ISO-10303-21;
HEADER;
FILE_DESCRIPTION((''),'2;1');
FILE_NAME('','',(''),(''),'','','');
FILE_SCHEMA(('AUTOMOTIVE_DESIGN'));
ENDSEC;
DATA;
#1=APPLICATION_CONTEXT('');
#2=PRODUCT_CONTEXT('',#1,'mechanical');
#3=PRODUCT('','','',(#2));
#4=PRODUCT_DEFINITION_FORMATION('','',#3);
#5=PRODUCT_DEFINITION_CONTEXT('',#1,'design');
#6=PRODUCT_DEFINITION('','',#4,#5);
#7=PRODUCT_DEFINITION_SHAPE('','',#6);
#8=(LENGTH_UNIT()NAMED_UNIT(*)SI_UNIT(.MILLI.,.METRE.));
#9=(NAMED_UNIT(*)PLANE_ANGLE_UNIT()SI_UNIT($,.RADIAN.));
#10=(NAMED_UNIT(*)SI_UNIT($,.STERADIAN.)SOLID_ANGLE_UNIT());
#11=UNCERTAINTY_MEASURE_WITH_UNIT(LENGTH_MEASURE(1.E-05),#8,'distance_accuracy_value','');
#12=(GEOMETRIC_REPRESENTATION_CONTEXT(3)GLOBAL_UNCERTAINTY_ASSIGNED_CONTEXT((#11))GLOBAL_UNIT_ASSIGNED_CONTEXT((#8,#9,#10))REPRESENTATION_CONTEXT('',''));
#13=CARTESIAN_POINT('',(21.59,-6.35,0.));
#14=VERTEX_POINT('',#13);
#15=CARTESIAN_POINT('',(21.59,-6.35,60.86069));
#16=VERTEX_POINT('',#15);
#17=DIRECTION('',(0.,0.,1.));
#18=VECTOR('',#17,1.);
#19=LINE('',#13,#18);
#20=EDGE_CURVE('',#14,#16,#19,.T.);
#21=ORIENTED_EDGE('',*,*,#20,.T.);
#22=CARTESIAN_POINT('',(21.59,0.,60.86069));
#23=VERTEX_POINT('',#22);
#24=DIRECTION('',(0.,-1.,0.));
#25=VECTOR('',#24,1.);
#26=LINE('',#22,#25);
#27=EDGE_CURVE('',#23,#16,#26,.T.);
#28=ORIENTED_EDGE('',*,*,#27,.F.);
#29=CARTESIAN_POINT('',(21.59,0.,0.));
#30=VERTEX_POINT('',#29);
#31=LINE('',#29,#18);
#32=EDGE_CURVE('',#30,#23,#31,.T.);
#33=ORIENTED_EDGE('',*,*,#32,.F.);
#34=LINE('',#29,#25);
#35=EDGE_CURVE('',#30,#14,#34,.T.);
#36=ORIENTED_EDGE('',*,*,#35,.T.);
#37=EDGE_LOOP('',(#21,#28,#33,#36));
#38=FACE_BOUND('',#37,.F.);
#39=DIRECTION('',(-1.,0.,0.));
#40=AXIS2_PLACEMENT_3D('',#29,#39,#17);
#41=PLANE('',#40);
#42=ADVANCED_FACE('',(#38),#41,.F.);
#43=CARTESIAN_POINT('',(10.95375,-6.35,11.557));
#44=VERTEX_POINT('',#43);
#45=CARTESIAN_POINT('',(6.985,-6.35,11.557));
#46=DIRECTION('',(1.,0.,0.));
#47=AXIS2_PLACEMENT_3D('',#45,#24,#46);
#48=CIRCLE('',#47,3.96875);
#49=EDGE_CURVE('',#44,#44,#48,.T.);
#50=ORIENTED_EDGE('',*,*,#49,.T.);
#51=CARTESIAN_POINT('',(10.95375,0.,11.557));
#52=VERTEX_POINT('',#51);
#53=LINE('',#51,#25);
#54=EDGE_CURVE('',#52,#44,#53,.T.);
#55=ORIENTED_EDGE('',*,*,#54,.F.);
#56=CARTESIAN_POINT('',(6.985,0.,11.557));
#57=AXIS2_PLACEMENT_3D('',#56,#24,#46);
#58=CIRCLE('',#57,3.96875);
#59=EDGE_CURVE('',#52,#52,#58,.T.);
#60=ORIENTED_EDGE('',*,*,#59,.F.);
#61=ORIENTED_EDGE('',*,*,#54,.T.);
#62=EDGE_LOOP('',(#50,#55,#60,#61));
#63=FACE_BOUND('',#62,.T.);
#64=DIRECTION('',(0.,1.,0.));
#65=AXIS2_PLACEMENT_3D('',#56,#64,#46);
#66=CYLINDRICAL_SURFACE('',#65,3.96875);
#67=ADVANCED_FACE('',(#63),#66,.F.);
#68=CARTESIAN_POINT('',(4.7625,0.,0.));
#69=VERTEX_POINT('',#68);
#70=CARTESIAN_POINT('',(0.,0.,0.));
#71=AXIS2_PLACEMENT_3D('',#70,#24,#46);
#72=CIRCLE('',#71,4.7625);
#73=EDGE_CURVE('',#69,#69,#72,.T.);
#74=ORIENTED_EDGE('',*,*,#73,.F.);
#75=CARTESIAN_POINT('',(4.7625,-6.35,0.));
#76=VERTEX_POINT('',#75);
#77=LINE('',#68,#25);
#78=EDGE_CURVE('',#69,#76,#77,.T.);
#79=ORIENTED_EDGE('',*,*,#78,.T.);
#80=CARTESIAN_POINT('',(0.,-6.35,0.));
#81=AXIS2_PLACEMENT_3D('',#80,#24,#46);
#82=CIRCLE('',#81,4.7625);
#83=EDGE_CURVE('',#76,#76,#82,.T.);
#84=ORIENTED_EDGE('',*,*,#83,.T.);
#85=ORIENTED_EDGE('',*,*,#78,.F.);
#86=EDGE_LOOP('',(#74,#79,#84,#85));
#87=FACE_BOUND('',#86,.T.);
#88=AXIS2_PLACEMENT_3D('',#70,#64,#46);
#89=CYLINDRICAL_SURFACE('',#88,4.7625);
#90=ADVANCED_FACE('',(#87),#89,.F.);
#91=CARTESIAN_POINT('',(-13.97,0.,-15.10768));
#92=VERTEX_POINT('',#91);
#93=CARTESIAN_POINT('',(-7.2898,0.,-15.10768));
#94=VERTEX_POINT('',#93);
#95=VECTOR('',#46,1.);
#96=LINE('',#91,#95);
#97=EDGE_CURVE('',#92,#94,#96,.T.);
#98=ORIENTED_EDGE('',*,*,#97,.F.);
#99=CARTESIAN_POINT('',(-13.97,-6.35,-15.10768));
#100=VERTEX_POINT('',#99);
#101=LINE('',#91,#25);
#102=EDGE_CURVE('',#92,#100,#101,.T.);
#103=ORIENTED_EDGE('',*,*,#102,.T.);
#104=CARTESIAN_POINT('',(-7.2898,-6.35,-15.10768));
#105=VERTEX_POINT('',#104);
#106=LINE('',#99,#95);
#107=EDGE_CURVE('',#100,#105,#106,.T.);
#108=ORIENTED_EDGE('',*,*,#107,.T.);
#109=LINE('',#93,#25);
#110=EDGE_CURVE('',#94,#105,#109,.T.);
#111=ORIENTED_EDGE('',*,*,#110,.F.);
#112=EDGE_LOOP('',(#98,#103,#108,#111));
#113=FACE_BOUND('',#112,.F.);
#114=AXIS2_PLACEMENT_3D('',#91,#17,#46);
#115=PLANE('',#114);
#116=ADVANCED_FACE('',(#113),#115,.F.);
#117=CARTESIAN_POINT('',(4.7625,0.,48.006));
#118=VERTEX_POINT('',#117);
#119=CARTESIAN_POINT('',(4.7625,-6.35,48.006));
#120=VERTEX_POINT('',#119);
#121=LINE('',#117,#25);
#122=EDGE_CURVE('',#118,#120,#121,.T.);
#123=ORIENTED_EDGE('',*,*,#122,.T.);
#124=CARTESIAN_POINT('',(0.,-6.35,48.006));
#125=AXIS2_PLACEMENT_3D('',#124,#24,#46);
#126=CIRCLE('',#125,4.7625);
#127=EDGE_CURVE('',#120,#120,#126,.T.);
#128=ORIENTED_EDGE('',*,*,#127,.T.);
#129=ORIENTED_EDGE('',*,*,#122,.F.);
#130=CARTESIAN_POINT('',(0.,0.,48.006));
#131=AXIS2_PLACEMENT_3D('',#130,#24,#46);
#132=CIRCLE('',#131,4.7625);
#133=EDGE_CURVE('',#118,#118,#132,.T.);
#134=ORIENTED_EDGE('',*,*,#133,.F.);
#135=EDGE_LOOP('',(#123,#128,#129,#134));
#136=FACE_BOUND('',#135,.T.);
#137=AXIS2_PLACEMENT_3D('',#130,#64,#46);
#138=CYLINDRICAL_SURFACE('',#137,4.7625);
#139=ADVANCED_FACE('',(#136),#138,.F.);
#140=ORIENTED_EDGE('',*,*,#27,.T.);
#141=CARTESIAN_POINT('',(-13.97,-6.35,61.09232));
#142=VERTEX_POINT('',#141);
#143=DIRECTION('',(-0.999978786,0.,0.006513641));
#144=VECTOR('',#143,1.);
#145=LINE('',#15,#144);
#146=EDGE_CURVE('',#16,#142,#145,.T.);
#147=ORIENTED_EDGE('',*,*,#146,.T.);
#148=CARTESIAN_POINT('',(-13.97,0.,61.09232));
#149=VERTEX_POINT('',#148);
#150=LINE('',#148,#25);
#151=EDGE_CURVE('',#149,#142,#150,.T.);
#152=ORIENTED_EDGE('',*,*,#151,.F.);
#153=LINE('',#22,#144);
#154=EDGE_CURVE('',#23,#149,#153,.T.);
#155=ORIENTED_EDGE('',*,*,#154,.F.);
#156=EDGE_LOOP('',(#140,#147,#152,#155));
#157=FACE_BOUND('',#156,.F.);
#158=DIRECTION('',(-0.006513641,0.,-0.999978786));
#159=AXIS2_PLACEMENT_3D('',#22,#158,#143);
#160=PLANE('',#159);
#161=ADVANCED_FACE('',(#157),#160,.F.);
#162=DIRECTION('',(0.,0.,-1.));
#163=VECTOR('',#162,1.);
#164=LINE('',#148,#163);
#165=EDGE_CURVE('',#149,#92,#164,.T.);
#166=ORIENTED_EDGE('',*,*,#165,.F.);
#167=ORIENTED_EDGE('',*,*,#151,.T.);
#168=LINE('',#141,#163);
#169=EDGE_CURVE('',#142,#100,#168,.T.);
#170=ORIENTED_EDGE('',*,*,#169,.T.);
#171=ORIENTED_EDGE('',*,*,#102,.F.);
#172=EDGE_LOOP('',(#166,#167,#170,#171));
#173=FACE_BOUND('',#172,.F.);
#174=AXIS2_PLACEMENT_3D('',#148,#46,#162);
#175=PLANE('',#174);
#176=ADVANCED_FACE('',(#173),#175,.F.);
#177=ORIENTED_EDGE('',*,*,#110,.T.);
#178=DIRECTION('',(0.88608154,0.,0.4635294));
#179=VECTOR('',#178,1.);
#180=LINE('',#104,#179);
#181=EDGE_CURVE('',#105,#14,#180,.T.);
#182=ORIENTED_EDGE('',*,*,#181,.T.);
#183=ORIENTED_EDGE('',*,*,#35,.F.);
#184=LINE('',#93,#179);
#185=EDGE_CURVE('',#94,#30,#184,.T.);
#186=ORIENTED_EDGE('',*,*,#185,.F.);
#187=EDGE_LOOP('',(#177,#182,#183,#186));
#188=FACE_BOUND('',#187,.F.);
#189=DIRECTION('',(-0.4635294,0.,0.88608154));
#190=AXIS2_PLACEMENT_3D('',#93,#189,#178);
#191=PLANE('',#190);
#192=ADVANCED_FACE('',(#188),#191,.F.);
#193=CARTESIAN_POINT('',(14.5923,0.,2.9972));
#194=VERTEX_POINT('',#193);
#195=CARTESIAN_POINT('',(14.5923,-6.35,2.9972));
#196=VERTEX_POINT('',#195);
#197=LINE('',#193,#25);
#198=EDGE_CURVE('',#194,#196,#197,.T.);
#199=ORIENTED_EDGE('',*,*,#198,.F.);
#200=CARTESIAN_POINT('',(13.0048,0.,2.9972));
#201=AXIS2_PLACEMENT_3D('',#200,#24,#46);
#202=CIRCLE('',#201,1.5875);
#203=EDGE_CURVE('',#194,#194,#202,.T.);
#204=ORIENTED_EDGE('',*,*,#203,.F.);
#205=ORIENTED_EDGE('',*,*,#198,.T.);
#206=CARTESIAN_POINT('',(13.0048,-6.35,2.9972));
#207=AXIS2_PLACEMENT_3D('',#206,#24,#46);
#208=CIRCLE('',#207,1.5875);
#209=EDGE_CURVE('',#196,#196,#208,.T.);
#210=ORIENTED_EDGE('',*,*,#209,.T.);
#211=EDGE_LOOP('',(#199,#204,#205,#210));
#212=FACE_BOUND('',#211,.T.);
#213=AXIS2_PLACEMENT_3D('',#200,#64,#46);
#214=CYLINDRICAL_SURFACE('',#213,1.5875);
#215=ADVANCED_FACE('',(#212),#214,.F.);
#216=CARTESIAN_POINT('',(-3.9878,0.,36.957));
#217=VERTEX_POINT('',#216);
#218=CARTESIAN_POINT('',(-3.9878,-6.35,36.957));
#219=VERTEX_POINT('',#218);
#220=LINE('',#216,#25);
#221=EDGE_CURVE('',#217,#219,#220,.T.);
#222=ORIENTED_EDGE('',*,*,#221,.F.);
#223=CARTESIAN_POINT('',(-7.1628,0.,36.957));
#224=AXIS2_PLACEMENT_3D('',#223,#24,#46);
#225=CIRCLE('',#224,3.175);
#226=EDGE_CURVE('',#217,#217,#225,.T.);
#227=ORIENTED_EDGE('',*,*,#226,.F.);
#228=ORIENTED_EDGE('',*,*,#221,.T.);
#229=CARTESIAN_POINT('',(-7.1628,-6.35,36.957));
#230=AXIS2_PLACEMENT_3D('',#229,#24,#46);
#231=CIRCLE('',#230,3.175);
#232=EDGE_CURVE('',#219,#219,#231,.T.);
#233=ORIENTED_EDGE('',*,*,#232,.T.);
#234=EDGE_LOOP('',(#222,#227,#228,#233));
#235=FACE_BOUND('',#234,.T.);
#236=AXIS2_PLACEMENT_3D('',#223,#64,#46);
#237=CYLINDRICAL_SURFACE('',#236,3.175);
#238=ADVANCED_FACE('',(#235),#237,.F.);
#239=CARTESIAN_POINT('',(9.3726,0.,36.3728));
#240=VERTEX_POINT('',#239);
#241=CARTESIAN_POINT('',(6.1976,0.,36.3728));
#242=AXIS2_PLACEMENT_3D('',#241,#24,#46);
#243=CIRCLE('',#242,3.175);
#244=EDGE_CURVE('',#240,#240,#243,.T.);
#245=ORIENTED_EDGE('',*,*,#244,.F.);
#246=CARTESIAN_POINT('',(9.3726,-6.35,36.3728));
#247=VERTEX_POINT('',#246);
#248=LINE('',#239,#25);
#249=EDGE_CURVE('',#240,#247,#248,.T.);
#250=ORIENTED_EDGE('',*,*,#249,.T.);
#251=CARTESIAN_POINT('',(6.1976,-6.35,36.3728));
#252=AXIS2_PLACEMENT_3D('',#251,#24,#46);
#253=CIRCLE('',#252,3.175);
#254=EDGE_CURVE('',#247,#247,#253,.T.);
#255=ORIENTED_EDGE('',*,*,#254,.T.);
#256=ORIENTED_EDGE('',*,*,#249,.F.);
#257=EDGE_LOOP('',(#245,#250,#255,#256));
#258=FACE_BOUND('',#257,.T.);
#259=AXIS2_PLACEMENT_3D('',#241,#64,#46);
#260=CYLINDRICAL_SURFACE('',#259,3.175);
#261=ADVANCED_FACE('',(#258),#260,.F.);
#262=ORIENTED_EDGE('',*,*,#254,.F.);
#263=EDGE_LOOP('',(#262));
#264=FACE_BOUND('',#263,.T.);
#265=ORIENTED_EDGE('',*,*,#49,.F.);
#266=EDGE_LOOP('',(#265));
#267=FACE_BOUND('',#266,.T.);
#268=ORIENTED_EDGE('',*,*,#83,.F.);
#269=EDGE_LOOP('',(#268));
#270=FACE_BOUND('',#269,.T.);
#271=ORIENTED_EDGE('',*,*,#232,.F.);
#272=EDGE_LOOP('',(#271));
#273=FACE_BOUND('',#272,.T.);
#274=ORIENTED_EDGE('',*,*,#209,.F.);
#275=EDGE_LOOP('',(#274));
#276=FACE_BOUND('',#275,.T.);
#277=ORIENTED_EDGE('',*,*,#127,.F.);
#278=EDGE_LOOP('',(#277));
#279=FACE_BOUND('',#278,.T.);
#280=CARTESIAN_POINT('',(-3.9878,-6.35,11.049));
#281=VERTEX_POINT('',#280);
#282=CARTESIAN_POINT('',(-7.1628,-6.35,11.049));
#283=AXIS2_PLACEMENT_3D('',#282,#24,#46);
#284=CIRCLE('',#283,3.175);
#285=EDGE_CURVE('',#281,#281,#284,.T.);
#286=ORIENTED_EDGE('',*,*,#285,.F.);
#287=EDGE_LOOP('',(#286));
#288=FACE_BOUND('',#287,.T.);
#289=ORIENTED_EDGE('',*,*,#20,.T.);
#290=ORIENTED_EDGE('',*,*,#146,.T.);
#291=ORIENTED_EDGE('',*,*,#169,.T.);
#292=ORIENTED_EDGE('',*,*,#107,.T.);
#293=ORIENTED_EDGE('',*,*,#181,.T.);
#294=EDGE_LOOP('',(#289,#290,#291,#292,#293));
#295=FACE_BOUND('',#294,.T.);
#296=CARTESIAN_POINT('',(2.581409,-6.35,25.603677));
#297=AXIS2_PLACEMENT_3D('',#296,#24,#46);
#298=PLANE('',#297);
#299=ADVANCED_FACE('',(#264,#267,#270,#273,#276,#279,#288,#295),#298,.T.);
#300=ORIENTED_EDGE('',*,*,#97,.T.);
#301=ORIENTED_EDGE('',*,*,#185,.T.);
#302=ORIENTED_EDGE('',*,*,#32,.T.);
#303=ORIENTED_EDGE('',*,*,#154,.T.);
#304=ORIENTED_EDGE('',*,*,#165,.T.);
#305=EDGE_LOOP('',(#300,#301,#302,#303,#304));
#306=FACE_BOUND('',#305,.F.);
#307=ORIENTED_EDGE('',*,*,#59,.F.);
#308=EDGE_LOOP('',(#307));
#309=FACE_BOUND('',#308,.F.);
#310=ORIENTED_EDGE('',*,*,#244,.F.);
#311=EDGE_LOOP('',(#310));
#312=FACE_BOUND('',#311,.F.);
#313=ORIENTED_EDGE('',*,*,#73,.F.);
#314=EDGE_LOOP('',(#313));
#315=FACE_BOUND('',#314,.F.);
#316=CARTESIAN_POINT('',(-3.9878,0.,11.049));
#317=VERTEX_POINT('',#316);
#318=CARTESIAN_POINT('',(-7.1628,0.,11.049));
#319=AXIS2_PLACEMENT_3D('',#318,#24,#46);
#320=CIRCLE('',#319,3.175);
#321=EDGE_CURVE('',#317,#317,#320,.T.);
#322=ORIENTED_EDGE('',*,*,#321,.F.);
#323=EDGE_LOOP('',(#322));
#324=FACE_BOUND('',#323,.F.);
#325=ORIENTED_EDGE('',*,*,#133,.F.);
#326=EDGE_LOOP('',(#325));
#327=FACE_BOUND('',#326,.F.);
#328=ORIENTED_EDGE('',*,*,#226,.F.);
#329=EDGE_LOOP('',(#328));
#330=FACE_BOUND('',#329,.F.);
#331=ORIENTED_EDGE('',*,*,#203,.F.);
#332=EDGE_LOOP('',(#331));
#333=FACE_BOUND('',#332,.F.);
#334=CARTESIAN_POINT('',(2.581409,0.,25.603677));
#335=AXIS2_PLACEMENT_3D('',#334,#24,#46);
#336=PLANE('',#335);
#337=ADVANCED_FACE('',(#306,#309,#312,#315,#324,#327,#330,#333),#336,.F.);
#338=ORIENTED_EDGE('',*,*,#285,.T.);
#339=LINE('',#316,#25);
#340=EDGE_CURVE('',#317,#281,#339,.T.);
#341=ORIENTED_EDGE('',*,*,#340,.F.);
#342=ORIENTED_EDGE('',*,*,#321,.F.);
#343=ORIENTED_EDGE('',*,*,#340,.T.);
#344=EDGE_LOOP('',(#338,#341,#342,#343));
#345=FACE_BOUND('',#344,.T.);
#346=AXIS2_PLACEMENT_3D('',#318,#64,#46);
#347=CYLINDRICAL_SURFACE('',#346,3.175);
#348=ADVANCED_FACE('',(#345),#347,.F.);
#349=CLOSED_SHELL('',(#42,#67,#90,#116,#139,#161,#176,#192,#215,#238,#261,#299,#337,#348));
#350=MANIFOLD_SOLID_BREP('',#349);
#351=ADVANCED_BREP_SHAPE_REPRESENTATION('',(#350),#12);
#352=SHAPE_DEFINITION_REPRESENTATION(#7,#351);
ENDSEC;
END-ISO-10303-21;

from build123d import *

# Parameters (mm, degrees)
F0_R     = 4.7625
F0_R_2   = 3.175
F0_R_3   = 1.5875
F0_R_4   = 3.96875
F1_DEPTH = 6.35


with BuildPart() as f1:
    # F0 (on Front) → F1 (new body)
    with BuildSketch(Plane.XZ):
        Polygon((-13.97, 61.09232), (-13.97, -15.10768), (-7.2898, -15.10768), (21.59, 0), (21.59, 60.86069), align=None)
        Circle(F0_R, mode=Mode.SUBTRACT)
        with Locations((-7.1628, 11.049)):
            Circle(F0_R_2, mode=Mode.SUBTRACT)
        with Locations((13.0048, 2.9972)):
            Circle(F0_R_3, mode=Mode.SUBTRACT)
        with Locations((6.985, 11.557)):
            Circle(F0_R_4, mode=Mode.SUBTRACT)
        with Locations((-7.1628, 36.957)):
            Circle(F0_R_2, mode=Mode.SUBTRACT)
        with Locations((0, 48.006)):
            Circle(F0_R, mode=Mode.SUBTRACT)
        with Locations((6.1976, 36.3728)):
            Circle(F0_R_2, mode=Mode.SUBTRACT)
    extrude(amount=F1_DEPTH)


solid = f1.part
